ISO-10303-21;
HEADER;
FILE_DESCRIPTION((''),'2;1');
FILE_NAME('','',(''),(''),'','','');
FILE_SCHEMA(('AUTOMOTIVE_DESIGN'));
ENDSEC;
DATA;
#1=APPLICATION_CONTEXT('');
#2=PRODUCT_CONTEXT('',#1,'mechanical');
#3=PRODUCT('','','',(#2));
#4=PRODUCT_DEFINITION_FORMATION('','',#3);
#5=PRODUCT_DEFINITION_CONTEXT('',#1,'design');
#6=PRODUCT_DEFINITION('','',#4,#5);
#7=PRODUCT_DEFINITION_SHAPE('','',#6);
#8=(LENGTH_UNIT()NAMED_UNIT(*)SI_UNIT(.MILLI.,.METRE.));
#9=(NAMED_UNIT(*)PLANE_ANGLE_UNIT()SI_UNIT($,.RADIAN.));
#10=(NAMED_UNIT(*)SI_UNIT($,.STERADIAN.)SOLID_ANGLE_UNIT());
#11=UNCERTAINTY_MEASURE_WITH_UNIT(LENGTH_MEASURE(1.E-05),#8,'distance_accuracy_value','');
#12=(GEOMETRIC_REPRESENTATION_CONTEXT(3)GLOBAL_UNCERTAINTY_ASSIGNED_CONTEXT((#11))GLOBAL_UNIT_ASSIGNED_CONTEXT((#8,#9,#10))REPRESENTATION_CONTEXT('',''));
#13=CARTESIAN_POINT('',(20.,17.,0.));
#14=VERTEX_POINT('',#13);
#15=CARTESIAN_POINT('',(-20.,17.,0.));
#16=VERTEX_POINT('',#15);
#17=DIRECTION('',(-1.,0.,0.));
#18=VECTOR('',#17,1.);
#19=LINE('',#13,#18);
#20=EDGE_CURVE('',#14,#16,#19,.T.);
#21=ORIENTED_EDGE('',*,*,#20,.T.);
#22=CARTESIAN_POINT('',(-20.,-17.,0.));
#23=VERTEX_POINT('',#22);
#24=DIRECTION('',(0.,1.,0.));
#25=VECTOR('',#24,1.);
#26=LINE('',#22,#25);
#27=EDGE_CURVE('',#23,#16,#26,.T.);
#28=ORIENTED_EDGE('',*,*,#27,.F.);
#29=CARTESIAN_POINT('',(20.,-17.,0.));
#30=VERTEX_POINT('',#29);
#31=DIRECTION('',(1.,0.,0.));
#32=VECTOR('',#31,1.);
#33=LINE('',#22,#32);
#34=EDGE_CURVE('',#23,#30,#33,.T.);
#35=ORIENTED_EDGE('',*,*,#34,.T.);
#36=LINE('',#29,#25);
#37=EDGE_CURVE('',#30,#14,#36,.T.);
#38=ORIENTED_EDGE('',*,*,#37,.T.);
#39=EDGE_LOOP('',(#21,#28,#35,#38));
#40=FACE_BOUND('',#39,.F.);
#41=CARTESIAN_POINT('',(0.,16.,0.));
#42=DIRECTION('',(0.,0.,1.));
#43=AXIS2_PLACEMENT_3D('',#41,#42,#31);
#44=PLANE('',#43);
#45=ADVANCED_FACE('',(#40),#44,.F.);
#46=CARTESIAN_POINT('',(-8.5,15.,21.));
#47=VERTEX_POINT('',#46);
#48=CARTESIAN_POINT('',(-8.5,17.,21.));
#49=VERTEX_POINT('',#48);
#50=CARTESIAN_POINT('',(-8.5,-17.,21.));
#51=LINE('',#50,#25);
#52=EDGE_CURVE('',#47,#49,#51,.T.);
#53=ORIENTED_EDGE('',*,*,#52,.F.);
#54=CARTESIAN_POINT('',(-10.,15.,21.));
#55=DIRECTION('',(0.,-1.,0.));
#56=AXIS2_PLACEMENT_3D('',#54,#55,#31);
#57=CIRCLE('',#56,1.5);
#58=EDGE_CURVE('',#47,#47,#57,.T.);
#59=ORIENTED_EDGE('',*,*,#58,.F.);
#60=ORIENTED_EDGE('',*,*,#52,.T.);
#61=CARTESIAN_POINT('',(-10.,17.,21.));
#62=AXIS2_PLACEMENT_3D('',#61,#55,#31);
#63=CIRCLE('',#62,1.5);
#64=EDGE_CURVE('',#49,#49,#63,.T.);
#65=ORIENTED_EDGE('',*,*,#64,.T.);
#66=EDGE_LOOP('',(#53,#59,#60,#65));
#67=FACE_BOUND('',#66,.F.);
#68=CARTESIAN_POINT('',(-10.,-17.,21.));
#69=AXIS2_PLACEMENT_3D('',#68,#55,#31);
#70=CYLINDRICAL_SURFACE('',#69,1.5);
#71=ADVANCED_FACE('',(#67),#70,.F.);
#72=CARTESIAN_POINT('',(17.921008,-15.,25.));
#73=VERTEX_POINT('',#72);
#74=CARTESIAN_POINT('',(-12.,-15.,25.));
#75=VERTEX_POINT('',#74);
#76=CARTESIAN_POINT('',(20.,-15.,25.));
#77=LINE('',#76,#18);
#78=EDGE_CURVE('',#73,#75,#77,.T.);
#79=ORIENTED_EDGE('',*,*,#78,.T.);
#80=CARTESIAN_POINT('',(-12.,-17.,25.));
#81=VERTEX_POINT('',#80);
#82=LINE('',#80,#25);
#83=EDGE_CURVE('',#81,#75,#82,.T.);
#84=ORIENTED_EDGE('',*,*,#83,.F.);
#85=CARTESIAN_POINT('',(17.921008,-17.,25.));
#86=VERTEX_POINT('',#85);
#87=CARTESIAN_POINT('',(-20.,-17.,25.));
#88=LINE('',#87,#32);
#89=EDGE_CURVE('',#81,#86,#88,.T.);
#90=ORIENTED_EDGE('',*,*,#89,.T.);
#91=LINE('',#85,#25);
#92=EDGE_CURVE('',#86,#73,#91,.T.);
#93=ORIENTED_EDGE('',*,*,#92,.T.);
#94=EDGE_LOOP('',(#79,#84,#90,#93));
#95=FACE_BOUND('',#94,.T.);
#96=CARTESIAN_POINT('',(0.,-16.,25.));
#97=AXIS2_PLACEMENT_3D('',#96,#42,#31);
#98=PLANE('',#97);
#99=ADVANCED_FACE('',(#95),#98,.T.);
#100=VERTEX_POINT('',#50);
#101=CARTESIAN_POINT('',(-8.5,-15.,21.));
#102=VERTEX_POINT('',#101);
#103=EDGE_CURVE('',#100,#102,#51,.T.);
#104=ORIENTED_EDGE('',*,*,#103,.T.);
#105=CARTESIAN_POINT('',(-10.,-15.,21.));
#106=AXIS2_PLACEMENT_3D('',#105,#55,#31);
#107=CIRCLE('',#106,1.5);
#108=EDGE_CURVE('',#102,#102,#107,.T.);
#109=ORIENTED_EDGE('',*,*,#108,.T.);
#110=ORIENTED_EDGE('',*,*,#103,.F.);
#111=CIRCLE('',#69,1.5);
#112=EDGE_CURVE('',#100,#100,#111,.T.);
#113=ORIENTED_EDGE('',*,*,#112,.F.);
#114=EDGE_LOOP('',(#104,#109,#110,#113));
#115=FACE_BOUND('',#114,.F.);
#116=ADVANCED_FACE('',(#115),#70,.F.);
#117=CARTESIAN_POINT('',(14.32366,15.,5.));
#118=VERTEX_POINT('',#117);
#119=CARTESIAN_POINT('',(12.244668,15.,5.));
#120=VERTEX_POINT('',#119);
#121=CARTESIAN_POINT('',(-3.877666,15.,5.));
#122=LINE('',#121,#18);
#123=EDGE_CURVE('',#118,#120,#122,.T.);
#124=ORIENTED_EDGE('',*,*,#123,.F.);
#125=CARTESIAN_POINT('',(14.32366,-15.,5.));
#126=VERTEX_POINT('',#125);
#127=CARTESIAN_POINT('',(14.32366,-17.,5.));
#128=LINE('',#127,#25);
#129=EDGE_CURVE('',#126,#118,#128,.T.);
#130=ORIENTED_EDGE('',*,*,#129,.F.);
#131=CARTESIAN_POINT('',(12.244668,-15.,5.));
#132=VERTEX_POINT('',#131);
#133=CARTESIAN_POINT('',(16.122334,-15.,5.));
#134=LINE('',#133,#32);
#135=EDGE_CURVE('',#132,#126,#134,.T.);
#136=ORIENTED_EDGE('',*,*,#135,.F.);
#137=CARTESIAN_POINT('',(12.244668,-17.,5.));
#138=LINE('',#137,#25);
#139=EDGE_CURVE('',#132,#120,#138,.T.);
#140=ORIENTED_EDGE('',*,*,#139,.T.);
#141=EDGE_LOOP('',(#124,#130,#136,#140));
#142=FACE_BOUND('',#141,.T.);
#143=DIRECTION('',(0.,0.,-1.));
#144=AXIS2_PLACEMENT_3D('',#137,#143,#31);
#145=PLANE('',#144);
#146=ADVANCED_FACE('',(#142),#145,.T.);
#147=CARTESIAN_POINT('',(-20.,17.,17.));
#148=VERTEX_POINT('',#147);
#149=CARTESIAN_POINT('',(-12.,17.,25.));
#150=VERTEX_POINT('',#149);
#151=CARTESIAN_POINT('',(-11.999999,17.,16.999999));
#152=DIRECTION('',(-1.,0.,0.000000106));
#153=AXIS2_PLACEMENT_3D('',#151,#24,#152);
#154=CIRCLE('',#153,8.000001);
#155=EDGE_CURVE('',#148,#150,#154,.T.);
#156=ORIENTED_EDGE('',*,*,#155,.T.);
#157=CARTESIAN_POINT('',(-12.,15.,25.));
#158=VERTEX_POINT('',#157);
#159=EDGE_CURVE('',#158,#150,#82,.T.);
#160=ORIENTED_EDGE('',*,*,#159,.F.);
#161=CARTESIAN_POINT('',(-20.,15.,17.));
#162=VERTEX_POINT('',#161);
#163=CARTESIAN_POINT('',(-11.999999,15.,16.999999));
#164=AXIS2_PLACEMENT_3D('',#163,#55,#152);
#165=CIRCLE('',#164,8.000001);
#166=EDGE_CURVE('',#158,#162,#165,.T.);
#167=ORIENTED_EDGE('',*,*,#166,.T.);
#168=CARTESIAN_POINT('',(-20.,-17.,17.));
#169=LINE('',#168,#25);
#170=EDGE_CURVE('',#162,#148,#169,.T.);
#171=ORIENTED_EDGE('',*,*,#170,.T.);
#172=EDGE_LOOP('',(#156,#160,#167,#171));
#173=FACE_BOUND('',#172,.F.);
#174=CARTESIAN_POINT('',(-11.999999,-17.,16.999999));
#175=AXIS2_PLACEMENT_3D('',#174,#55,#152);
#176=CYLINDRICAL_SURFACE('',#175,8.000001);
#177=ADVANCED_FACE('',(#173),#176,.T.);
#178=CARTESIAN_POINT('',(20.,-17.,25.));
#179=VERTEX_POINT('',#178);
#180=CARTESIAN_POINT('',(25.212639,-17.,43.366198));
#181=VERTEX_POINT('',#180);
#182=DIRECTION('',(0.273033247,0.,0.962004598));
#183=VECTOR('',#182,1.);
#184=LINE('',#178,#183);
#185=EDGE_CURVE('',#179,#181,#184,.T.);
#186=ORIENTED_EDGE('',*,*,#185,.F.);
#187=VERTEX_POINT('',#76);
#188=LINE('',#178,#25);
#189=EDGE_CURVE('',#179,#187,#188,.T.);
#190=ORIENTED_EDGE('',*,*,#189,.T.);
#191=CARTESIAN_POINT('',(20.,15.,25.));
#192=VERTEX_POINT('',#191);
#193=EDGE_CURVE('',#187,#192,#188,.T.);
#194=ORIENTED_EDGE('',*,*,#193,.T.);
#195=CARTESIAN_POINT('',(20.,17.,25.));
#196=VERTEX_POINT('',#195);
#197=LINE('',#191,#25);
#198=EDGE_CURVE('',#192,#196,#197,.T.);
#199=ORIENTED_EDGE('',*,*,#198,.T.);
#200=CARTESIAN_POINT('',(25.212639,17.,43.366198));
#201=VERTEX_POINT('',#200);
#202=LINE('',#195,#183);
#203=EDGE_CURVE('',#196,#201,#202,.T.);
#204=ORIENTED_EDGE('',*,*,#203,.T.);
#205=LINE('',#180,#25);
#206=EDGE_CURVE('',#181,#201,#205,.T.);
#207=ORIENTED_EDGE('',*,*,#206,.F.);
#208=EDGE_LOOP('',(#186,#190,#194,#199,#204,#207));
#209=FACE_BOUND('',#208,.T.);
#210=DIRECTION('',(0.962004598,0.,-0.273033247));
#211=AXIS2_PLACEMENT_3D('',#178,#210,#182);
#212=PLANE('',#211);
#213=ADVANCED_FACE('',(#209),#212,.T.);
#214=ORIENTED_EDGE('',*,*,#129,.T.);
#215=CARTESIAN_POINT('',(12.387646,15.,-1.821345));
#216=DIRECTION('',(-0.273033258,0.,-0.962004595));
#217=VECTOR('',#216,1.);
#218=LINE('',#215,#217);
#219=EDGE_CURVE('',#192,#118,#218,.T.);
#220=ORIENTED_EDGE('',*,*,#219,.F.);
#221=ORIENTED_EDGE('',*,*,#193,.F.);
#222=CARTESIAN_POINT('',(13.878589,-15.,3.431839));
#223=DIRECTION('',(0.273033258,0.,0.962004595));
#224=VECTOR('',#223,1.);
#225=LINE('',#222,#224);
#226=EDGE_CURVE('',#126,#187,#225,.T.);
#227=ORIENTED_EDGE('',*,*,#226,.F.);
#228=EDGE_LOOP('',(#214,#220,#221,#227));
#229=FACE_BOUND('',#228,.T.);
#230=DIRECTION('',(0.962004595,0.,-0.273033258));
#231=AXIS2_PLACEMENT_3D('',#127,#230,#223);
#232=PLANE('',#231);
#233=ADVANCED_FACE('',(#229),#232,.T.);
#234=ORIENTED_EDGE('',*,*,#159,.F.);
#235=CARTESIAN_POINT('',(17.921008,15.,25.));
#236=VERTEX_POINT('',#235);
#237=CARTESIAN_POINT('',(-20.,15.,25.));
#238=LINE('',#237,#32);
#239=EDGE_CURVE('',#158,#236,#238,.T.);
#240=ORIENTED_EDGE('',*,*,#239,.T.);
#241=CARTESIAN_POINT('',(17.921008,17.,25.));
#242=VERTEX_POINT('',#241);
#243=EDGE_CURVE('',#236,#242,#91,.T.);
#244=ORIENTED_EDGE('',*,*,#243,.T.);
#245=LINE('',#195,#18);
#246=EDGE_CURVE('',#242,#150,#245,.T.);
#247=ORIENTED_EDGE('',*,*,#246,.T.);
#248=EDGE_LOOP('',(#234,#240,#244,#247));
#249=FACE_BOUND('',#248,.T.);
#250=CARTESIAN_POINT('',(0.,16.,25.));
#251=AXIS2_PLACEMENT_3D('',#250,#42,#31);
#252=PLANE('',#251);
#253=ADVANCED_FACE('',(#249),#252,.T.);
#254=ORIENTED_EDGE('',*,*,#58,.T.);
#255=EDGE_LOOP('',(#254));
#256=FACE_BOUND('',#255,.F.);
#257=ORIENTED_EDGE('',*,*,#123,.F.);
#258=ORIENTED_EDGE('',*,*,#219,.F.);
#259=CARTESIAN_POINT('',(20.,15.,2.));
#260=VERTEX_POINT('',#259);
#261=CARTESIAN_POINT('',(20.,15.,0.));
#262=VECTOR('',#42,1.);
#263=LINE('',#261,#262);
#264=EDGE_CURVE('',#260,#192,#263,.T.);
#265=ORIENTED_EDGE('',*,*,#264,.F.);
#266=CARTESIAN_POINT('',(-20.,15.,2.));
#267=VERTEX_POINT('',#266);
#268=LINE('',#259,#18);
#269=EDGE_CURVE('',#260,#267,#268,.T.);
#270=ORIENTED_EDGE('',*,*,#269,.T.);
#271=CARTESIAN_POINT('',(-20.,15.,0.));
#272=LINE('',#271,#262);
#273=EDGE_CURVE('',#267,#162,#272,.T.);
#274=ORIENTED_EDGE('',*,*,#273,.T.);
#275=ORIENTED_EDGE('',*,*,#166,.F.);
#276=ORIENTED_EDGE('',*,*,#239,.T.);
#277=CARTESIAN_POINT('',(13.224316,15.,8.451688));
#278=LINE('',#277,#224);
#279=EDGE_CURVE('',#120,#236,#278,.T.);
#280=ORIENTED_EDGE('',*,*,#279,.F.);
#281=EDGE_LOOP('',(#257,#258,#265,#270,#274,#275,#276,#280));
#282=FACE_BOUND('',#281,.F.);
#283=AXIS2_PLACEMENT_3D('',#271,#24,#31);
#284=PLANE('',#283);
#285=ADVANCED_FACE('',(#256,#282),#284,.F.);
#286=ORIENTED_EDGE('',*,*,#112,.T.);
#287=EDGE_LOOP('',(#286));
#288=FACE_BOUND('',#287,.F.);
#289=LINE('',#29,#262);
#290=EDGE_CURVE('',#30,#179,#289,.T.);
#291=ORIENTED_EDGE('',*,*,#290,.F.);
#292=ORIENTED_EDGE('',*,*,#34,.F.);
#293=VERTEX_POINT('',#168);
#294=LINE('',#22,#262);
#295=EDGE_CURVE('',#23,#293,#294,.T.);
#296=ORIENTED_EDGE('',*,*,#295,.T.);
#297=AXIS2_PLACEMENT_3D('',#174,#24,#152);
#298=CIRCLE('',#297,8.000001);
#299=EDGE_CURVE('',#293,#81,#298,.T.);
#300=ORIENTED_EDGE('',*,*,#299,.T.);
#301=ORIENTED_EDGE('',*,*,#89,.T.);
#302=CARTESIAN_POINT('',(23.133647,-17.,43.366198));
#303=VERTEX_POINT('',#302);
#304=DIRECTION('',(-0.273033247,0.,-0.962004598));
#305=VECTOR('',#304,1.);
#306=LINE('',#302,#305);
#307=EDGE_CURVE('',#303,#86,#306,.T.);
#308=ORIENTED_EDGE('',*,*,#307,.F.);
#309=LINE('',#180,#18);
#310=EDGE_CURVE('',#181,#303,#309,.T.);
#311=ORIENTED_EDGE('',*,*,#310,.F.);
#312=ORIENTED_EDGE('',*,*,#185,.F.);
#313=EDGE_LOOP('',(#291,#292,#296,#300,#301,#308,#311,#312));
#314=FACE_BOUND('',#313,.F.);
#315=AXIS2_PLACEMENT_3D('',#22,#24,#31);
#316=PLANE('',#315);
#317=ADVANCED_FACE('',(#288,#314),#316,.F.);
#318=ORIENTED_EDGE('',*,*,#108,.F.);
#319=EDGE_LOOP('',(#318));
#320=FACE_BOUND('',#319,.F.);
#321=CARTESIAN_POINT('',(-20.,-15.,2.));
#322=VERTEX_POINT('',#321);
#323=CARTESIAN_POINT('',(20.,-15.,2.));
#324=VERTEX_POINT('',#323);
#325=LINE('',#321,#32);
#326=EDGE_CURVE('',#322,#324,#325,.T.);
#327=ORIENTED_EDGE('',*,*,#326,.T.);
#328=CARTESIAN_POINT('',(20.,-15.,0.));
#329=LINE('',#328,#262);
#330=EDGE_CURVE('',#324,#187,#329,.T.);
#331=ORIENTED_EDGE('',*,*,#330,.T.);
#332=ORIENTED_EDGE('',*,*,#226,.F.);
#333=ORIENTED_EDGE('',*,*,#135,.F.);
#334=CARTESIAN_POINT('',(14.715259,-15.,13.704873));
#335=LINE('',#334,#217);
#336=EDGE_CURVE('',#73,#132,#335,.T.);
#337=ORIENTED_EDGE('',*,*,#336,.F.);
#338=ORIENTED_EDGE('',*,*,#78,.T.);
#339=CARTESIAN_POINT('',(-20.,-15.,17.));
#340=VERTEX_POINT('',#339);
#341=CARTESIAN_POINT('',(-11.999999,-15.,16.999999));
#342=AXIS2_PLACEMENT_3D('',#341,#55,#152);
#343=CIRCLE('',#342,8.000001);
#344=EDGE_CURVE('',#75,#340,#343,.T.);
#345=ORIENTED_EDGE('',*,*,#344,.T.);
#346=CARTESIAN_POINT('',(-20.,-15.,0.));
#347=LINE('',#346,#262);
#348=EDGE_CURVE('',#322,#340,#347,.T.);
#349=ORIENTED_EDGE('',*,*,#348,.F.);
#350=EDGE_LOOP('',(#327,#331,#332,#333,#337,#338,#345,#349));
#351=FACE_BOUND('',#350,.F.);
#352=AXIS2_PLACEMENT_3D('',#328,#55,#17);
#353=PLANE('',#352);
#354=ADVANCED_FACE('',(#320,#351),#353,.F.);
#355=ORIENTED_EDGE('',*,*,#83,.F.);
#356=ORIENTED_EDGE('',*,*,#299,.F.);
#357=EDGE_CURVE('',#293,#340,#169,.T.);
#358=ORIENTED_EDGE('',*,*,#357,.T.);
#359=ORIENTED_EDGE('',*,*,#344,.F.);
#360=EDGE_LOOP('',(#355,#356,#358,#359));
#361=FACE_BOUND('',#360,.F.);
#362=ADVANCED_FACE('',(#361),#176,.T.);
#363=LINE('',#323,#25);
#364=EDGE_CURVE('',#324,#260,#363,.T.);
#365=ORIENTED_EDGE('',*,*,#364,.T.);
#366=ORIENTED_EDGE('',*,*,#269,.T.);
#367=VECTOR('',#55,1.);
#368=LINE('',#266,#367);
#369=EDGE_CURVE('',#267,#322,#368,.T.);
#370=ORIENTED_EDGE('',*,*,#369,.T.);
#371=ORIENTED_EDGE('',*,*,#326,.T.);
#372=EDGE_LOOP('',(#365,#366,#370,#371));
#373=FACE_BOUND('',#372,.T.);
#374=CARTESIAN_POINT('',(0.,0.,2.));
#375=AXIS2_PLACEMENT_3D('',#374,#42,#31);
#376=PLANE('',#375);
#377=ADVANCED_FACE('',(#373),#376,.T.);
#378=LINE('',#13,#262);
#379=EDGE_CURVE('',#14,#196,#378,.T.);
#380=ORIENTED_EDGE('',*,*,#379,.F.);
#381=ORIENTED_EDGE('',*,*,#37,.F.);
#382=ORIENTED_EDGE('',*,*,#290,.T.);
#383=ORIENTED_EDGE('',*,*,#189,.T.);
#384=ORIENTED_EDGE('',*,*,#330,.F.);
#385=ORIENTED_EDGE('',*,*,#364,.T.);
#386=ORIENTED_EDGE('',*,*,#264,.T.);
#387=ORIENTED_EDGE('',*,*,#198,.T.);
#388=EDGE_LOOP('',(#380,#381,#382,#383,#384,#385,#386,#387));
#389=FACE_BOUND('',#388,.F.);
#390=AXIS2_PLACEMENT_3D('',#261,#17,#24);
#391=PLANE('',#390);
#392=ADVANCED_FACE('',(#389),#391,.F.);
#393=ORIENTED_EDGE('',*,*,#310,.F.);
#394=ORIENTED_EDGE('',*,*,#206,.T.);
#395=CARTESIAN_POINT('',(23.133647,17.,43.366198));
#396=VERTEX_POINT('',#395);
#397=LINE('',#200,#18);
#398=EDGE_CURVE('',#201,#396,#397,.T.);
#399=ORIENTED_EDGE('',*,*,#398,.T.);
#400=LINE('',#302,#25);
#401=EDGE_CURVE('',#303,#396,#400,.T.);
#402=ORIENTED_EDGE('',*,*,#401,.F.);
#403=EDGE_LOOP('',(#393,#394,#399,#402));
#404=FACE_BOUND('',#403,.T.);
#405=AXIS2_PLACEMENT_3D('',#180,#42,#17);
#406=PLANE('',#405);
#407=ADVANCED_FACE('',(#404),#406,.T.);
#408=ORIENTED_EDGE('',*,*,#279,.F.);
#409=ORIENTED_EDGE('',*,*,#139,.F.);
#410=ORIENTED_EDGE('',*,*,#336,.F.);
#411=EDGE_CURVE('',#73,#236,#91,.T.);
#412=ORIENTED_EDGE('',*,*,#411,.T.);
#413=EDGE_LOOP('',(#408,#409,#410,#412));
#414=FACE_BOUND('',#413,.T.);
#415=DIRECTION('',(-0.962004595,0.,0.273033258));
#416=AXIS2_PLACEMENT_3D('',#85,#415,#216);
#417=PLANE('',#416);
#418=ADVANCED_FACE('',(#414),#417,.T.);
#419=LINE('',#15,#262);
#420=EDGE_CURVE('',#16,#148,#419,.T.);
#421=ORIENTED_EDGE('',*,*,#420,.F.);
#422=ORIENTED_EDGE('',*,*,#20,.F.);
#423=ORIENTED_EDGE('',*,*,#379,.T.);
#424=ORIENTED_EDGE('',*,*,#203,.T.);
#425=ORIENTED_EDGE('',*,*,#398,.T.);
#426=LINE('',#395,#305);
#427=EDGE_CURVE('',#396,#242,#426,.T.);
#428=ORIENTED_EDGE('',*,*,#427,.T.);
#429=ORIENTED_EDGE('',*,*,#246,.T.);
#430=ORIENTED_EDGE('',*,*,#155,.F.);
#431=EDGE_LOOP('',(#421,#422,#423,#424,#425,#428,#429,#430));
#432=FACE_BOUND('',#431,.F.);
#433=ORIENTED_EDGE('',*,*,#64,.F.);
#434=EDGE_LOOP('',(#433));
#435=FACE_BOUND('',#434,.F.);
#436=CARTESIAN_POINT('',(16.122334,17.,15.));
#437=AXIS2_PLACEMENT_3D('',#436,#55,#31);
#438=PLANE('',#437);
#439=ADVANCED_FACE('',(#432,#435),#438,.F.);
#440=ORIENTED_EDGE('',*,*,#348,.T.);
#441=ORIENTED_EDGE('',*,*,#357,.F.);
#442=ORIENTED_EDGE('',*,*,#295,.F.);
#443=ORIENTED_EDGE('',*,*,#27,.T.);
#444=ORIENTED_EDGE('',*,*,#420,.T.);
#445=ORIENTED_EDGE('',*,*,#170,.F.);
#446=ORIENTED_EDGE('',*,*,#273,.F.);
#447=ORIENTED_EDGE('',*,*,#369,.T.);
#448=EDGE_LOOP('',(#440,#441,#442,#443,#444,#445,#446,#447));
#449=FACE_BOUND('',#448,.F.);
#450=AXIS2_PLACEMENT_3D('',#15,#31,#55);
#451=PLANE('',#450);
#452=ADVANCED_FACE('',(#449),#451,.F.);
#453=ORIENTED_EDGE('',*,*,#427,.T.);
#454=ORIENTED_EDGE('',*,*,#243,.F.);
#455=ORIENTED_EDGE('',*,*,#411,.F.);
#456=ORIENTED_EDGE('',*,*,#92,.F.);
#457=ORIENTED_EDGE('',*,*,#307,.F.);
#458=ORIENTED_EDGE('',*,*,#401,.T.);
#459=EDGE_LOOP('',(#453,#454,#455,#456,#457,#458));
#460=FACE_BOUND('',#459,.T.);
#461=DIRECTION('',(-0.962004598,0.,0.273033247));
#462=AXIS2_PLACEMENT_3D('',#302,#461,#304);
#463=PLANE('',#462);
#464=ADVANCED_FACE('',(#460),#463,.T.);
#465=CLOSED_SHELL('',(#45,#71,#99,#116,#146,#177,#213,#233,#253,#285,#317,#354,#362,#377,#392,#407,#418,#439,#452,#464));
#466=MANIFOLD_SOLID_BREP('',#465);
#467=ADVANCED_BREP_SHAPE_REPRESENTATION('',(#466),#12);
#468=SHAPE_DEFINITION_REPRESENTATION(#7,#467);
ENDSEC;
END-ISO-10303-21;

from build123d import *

# Parameters (mm, degrees)
F1_DEPTH = 2
F2_DEPTH = 25
F3_R     = 1.5
F4_DEPTH = 34
F5_DEPTH = 34


with BuildPart() as f1:
    # F0 (on Top) → F1 (new body)
    with BuildSketch(Plane.XY):
        Polygon((0, -15), (20, -15), (20, 15), (0, 15), (-20, 15), (-20, -15), align=None)
    extrude(amount=F1_DEPTH)

    # F0 (on Top) → F2 (join)
    with BuildSketch(Plane.XY):
        Polygon((0, 15), (20, 15), (20, 17), (-20, 17), (-20, 15), align=None)
        Polygon((-20, -17), (20, -17), (20, -15), (0, -15), (-20, -15), align=None)
    extrude(amount=F2_DEPTH)

    # F3 (on face) → F4 (cut)
    with BuildSketch(Plane.XZ.offset(17)):
        with BuildLine():
            ThreePointArc((-20, 17), (-17.656854, 22.656854), (-12, 25))
            Line((-12, 25), (-20, 25))
            Line((-20, 25), (-20, 17))
        make_face()
        with Locations((-10, 21)):
            Circle(F3_R)
    extrude(amount=-F4_DEPTH, mode=Mode.SUBTRACT)

    # F3 (on face) → F5 (join)
    with BuildSketch(Plane.XZ.offset(17)):
        Polygon((20, 25), (17.921008, 25), (12.244668, 5), (14.32366, 5), align=None)
        Polygon((23.133647, 43.366198), (17.921008, 25), (20, 25), (25.212639, 43.366198), align=None)
    extrude(amount=-F5_DEPTH)


solid = f1.part
